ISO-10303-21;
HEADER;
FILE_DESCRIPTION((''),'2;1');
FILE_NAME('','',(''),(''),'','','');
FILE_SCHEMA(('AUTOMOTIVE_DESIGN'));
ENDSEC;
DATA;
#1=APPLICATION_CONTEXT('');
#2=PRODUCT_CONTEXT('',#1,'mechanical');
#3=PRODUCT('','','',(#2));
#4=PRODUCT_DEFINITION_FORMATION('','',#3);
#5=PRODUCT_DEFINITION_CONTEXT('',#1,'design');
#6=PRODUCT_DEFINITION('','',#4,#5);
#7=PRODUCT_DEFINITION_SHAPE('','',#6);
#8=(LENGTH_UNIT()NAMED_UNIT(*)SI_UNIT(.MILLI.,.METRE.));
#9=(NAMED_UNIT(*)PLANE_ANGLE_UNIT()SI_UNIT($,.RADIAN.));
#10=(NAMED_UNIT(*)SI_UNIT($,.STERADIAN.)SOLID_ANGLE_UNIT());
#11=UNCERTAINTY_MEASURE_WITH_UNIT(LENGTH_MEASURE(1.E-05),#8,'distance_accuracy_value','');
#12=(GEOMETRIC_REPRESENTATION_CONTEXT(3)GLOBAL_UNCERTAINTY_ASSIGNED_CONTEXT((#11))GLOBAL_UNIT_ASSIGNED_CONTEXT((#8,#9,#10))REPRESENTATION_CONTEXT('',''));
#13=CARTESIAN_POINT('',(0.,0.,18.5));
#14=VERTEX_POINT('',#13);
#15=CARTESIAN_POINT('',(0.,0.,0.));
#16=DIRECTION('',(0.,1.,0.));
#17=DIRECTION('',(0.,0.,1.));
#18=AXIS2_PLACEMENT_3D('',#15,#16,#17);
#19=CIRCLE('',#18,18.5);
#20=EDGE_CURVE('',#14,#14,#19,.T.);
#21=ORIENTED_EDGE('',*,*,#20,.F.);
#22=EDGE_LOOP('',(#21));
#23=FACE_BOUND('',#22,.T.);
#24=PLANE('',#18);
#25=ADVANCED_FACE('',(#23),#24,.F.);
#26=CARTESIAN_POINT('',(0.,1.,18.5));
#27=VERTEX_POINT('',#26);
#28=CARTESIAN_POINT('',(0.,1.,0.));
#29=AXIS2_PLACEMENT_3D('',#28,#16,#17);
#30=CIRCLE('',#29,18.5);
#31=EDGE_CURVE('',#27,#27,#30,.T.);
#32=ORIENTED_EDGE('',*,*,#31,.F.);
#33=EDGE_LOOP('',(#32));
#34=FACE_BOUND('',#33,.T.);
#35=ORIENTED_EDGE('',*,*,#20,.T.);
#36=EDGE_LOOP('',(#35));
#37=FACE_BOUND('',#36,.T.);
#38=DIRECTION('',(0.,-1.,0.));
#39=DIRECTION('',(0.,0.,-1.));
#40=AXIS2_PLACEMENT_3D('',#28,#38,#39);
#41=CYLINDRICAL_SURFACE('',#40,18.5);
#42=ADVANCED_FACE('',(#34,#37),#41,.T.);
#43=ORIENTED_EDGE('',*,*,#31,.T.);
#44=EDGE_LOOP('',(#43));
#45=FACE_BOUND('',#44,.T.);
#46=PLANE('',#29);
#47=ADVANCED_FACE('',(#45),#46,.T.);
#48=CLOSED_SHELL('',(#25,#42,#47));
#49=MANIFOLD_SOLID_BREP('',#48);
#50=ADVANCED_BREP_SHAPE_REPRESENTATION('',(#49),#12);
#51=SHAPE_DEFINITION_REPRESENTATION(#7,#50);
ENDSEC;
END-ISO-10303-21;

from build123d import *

# Parameters (mm, degrees)
SKETCH_1_R      = 18.5
EXTRUDE_1_DEPTH = 1


with BuildPart() as part:
    # 草图1 → 凸台-拉伸1 (new body)
    with BuildSketch(Plane(origin=(0, 0, 0), x_dir=(1, 0, 0), z_dir=(0, 1, 0))):
        Circle(SKETCH_1_R)
    extrude(amount=EXTRUDE_1_DEPTH)


solid = part.part
